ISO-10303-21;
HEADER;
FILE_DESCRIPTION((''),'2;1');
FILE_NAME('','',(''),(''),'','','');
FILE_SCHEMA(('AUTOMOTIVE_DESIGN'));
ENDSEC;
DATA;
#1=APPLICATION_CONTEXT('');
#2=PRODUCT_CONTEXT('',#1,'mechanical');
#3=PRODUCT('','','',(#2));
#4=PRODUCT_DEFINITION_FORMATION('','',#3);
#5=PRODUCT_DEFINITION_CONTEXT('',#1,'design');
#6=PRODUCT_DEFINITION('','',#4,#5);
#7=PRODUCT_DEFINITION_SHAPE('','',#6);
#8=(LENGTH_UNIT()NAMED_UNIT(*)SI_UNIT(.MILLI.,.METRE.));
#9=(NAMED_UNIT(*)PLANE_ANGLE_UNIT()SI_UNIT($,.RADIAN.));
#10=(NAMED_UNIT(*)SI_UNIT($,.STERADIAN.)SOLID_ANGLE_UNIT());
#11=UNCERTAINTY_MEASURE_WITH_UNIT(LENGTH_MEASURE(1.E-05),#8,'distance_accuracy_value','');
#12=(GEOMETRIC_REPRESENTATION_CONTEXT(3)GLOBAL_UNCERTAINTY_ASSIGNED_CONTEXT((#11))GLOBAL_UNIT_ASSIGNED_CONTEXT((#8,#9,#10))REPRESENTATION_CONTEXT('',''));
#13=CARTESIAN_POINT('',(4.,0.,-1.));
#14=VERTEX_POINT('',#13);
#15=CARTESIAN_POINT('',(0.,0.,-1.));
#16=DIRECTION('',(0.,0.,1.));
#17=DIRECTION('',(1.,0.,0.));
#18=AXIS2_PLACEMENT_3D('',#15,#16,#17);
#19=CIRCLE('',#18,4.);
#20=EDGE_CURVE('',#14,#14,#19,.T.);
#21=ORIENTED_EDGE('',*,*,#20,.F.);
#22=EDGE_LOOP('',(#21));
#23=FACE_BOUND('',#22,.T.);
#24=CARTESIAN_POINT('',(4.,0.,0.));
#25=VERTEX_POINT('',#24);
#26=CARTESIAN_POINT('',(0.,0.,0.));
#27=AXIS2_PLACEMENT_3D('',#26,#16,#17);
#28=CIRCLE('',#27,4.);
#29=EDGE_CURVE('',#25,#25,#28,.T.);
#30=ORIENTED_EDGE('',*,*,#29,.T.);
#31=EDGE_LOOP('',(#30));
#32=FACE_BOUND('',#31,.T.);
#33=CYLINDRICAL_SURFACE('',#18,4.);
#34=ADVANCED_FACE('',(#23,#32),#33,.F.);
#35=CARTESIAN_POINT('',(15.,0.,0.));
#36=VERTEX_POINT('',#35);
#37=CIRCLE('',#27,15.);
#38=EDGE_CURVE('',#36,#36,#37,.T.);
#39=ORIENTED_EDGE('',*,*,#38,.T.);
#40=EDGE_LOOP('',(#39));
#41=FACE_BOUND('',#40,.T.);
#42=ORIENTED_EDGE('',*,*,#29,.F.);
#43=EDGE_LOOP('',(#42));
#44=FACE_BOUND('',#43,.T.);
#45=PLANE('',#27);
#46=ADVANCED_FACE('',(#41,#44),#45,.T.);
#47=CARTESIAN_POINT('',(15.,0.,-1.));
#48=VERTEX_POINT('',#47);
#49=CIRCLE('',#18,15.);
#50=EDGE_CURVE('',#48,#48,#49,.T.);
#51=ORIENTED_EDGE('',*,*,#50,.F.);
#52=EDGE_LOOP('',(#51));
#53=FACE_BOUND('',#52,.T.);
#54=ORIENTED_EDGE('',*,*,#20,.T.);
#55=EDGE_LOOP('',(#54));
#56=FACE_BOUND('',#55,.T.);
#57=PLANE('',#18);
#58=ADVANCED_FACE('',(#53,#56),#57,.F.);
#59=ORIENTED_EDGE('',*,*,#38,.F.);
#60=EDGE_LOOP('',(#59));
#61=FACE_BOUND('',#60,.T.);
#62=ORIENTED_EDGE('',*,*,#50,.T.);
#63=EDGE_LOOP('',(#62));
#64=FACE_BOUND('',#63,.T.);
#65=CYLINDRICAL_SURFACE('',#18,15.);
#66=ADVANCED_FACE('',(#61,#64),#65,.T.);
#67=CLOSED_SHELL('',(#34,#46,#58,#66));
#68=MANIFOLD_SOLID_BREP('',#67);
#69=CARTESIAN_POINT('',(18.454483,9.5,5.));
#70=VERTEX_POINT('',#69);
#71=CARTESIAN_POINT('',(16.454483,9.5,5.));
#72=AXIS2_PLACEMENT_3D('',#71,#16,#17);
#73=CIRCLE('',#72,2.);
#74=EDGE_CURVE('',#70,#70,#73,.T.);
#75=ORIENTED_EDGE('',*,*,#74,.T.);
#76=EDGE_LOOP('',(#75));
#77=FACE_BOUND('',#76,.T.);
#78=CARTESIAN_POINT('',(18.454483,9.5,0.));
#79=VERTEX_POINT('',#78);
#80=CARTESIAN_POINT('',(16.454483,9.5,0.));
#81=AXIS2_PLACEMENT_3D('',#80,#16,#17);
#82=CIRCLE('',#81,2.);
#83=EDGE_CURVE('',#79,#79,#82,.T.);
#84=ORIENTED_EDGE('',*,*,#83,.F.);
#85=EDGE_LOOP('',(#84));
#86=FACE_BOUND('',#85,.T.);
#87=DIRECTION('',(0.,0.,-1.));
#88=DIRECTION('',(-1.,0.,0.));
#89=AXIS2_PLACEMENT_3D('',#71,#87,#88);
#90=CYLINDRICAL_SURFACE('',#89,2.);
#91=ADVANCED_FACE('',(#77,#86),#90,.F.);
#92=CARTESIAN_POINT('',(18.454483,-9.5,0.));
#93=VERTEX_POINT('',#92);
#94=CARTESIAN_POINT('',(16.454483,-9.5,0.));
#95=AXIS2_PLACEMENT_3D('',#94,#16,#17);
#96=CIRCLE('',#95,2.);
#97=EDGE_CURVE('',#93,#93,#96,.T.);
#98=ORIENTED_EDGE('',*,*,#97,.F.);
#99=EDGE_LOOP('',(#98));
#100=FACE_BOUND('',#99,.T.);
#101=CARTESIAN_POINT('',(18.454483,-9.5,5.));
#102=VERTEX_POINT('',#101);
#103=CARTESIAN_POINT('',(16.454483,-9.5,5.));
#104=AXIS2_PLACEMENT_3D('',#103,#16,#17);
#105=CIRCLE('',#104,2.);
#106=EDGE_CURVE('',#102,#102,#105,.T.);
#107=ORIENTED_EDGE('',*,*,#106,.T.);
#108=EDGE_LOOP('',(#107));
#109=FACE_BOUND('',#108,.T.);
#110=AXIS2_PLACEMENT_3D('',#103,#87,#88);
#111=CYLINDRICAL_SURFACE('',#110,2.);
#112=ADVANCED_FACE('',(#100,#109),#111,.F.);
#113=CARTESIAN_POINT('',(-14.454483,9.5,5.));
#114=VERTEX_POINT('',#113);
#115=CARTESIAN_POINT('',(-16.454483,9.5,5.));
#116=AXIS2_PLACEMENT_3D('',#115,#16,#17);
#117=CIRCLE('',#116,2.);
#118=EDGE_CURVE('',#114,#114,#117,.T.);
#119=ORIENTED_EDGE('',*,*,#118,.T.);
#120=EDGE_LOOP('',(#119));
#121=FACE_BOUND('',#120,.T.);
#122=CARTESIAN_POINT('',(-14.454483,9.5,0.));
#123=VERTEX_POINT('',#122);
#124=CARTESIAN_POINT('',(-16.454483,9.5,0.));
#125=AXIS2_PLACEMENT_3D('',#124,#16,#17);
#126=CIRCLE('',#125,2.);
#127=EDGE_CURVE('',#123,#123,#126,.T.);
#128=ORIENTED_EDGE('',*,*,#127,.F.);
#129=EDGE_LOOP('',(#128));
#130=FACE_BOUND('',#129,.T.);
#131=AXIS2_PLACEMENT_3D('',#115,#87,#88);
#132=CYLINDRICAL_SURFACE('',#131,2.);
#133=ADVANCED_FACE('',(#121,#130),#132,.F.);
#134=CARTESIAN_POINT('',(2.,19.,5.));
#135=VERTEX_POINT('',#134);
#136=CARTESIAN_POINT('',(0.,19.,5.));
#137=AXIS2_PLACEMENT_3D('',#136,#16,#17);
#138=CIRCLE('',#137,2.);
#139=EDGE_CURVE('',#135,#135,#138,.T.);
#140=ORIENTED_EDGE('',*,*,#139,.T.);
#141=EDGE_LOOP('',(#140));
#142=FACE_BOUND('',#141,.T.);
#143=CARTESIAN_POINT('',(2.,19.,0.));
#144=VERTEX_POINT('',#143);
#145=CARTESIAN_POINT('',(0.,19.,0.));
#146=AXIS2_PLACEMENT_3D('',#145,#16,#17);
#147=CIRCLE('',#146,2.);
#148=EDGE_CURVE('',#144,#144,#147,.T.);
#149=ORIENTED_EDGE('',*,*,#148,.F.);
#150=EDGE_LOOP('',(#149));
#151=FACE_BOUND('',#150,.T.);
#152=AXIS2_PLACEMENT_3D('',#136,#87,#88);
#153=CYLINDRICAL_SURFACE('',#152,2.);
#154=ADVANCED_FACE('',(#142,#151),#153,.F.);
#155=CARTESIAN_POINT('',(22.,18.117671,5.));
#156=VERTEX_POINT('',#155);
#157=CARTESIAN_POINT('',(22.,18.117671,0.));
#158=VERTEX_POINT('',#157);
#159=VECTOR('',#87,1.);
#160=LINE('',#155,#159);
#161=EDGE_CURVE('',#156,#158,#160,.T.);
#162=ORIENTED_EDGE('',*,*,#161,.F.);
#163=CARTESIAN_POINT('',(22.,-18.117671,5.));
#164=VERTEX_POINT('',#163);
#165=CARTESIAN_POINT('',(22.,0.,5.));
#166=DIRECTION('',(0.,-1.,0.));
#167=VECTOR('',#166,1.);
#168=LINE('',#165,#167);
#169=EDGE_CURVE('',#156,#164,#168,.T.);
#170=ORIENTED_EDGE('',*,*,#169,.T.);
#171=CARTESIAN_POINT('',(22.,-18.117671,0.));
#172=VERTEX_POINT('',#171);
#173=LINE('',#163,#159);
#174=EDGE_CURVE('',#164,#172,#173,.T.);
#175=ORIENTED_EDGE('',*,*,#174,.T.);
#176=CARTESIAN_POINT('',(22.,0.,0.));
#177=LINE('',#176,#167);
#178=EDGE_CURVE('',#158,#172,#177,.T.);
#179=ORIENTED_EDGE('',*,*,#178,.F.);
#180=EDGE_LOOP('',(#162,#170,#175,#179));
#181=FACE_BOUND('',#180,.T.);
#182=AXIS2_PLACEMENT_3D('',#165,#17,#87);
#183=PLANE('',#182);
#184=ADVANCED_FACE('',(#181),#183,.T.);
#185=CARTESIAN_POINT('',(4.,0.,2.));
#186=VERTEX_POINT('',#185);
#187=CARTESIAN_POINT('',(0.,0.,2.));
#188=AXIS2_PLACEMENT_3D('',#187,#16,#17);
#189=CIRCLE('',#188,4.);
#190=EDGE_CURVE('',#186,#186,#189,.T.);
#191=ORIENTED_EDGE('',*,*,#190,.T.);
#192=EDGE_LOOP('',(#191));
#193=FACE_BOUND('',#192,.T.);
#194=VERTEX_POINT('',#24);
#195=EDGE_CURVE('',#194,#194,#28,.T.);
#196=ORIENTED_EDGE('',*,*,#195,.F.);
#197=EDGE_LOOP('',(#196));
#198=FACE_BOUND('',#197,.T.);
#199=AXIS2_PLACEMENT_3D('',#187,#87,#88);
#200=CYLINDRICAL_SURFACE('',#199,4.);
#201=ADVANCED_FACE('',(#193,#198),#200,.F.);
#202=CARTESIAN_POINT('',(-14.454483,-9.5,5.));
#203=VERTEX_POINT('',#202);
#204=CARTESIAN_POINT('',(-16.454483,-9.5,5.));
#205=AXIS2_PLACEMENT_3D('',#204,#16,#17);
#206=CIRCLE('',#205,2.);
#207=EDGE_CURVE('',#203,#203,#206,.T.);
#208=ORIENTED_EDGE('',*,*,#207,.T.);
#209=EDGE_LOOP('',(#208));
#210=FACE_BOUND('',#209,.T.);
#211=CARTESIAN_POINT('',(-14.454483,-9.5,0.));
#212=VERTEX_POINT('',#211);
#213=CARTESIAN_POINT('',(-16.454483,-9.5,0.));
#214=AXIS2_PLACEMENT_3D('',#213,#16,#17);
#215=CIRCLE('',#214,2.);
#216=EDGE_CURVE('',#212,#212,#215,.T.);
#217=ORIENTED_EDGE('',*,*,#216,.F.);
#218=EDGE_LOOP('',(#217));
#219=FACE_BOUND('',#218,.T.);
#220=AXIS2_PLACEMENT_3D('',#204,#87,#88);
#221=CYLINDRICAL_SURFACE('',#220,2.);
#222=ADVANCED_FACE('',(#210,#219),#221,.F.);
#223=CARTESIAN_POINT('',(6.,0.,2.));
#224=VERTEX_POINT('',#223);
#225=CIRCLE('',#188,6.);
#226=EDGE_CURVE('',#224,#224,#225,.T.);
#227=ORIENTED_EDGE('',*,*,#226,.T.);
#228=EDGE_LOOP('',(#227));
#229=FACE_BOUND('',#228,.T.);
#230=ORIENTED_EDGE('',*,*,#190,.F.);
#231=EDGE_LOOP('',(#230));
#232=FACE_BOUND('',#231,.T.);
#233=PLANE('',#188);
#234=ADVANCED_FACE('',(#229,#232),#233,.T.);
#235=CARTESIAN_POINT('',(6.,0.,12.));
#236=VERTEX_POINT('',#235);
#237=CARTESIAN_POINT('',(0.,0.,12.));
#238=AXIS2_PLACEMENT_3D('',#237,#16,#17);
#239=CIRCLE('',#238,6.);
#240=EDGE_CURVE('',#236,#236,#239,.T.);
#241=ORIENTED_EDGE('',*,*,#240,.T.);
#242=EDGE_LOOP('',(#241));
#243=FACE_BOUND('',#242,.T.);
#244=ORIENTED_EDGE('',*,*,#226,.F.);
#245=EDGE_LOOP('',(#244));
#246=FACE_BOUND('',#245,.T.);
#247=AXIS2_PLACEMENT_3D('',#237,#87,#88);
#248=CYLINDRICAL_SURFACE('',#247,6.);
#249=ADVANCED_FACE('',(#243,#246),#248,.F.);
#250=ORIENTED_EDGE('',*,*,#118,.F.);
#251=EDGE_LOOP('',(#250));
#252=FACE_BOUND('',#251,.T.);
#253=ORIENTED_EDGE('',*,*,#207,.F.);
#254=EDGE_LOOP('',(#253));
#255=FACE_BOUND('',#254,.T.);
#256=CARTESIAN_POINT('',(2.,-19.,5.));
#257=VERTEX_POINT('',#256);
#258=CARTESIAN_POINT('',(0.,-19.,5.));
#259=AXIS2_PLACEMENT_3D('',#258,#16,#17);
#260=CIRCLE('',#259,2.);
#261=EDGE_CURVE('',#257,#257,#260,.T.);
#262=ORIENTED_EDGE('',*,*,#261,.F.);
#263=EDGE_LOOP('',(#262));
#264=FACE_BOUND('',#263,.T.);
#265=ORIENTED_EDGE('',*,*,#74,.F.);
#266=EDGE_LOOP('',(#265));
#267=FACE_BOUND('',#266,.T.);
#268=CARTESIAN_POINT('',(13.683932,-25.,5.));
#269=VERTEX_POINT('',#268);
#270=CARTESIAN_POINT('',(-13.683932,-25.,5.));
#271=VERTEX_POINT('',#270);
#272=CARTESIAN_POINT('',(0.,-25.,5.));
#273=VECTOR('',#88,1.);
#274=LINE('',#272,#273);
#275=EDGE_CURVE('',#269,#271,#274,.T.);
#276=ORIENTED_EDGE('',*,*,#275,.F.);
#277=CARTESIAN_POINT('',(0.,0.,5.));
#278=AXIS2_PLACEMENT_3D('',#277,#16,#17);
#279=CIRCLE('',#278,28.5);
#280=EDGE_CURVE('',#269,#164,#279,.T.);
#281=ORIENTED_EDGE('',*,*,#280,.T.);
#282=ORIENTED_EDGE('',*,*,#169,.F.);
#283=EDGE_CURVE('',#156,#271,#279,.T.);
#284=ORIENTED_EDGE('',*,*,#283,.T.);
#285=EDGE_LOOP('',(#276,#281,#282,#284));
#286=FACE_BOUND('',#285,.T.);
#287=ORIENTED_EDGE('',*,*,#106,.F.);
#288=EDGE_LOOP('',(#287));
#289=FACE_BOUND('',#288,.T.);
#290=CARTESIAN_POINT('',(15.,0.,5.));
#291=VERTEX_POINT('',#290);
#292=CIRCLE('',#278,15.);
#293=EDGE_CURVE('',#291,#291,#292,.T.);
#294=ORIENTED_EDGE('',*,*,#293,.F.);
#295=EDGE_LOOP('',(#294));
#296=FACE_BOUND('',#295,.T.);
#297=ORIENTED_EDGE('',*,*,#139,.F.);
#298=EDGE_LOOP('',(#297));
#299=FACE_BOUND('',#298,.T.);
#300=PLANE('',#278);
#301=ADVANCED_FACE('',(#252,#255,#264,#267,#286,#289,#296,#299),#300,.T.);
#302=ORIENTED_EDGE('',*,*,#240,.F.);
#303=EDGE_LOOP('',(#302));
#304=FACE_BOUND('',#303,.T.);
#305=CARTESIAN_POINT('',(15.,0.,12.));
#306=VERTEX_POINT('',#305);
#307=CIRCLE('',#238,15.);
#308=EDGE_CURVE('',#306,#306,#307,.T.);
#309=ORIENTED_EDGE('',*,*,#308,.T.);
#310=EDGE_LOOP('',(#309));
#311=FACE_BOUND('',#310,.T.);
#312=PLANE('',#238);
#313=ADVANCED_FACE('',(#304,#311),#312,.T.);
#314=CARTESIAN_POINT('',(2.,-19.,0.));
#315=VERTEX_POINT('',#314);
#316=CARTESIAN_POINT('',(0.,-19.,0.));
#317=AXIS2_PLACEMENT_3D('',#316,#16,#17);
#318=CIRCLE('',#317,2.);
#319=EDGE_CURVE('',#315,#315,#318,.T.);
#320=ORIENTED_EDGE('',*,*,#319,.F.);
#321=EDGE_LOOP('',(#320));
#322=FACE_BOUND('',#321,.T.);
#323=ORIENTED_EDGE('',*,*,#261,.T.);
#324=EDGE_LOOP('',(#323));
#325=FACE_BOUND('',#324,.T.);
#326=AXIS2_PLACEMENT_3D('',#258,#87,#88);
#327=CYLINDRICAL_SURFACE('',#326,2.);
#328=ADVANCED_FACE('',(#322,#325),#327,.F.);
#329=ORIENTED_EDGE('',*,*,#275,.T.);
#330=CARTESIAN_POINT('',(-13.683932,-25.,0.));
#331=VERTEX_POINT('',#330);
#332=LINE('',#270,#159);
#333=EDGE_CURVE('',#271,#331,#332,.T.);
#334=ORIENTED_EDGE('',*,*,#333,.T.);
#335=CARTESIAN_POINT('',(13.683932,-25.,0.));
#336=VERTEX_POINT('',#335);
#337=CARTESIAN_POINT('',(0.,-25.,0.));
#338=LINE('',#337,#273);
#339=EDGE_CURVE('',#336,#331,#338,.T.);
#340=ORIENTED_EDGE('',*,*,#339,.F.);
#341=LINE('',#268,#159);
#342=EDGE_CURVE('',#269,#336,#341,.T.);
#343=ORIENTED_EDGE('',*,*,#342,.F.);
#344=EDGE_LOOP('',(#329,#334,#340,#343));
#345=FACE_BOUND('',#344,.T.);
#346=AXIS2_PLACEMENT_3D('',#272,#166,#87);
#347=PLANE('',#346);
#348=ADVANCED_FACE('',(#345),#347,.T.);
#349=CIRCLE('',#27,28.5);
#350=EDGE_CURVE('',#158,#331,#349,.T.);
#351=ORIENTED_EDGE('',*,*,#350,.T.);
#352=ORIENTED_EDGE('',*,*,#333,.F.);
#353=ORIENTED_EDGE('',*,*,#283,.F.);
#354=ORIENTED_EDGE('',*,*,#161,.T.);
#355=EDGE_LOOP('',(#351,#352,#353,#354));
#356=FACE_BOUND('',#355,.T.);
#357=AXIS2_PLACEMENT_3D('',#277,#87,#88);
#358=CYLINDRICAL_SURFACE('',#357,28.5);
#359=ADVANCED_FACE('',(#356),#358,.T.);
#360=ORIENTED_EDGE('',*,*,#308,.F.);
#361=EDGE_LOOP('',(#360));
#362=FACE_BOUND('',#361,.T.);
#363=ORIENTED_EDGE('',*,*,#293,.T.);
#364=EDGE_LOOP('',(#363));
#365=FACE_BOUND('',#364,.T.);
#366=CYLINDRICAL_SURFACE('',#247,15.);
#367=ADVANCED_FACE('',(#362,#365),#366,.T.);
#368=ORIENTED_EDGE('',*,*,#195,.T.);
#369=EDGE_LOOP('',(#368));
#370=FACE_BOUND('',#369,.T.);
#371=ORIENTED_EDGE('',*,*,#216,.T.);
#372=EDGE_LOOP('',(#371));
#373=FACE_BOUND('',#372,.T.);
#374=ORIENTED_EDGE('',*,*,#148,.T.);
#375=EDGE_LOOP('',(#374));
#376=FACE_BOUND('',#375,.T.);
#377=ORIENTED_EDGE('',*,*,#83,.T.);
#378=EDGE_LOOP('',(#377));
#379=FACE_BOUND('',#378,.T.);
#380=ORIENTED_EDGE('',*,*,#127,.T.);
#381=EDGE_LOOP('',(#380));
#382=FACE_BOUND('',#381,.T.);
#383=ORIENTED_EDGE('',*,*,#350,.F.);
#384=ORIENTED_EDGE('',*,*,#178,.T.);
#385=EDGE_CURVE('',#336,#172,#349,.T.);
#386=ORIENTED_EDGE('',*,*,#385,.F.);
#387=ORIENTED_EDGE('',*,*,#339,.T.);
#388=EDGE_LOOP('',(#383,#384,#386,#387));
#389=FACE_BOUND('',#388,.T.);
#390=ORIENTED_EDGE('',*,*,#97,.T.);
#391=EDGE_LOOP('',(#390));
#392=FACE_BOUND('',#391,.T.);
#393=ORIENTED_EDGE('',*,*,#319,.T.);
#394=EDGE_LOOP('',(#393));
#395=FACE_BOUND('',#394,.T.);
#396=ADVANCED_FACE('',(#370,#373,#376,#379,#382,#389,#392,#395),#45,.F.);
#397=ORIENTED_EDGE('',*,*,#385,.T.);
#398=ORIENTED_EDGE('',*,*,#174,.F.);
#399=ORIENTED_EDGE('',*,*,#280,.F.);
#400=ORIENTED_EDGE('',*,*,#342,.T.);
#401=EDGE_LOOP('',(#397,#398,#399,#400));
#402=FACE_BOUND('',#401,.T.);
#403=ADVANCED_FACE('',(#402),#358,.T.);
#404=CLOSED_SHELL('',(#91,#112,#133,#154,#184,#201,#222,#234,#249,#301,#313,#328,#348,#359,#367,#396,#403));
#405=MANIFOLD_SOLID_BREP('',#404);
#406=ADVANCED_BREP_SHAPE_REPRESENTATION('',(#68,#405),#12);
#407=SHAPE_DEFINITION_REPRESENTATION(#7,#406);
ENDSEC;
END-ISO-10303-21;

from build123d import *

# Parameters (mm, degrees)
SKETCH1_R           = 15
SKETCH1_R_2         = 4
BOSS_EXTRUDE1_DEPTH = 1
SKETCH1_4_R         = 2
SKETCH1_4_R_2       = 15
BOSS_EXTRUDE2_DEPTH = 5
BOSS_EXTRUDE3_START = 12
SKETCH1_6_R         = 15
SKETCH1_6_R_2       = 6
BOSS_EXTRUDE3_DEPTH = 12
BOSS_EXTRUDE4_START = 2
SKETCH1_7_R         = 6
SKETCH1_7_R_2       = 4
BOSS_EXTRUDE4_DEPTH = 2


with BuildPart() as part:
    # Sketch1 → Boss-Extrude1 (new body)
    with BuildSketch(Plane.XY):
        Circle(SKETCH1_R)
        Circle(SKETCH1_R_2, mode=Mode.SUBTRACT)
    extrude(amount=-BOSS_EXTRUDE1_DEPTH)


with BuildPart() as body_2:
    # Sketch1<4> → Boss-Extrude2 (new body)
    with BuildSketch(Plane.XY):
        with BuildLine():
            Line((22, -18.117670932), (22, 18.117670932))
            ThreePointArc((22, 18.117670932), (-21.956152501, 18.170783345), (-13.683932183, -25))
            Line((-13.683932183, -25), (13.683932183, -25))
            ThreePointArc((13.683932183, -25), (18.170783345, -21.956152501), (22, -18.117670932))
        make_face()
        with Locations((-16.454482672, -9.5)):
            Circle(SKETCH1_4_R, mode=Mode.SUBTRACT)
        with Locations((0, -19)):
            Circle(SKETCH1_4_R, mode=Mode.SUBTRACT)
        Circle(SKETCH1_4_R_2, mode=Mode.SUBTRACT)
        with Locations((16.454482672, -9.5)):
            Circle(SKETCH1_4_R, mode=Mode.SUBTRACT)
        with Locations((-16.454482672, 9.5)):
            Circle(SKETCH1_4_R, mode=Mode.SUBTRACT)
        with Locations((16.454482672, 9.5)):
            Circle(SKETCH1_4_R, mode=Mode.SUBTRACT)
        with Locations((0, 19)):
            Circle(SKETCH1_4_R, mode=Mode.SUBTRACT)
    extrude(amount=BOSS_EXTRUDE2_DEPTH)

    # Sketch1<6> → Boss-Extrude3 (add)
    with BuildSketch(Plane.XY.offset(BOSS_EXTRUDE3_START)):
        Circle(SKETCH1_6_R)
        Circle(SKETCH1_6_R_2, mode=Mode.SUBTRACT)
    extrude(amount=-BOSS_EXTRUDE3_DEPTH)

    # Sketch1<7> → Boss-Extrude4 (add)
    with BuildSketch(Plane.XY.offset(BOSS_EXTRUDE4_START)):
        Circle(SKETCH1_7_R)
        Circle(SKETCH1_7_R_2, mode=Mode.SUBTRACT)
    extrude(amount=-BOSS_EXTRUDE4_DEPTH)


solid = Compound([part.part, body_2.part])
